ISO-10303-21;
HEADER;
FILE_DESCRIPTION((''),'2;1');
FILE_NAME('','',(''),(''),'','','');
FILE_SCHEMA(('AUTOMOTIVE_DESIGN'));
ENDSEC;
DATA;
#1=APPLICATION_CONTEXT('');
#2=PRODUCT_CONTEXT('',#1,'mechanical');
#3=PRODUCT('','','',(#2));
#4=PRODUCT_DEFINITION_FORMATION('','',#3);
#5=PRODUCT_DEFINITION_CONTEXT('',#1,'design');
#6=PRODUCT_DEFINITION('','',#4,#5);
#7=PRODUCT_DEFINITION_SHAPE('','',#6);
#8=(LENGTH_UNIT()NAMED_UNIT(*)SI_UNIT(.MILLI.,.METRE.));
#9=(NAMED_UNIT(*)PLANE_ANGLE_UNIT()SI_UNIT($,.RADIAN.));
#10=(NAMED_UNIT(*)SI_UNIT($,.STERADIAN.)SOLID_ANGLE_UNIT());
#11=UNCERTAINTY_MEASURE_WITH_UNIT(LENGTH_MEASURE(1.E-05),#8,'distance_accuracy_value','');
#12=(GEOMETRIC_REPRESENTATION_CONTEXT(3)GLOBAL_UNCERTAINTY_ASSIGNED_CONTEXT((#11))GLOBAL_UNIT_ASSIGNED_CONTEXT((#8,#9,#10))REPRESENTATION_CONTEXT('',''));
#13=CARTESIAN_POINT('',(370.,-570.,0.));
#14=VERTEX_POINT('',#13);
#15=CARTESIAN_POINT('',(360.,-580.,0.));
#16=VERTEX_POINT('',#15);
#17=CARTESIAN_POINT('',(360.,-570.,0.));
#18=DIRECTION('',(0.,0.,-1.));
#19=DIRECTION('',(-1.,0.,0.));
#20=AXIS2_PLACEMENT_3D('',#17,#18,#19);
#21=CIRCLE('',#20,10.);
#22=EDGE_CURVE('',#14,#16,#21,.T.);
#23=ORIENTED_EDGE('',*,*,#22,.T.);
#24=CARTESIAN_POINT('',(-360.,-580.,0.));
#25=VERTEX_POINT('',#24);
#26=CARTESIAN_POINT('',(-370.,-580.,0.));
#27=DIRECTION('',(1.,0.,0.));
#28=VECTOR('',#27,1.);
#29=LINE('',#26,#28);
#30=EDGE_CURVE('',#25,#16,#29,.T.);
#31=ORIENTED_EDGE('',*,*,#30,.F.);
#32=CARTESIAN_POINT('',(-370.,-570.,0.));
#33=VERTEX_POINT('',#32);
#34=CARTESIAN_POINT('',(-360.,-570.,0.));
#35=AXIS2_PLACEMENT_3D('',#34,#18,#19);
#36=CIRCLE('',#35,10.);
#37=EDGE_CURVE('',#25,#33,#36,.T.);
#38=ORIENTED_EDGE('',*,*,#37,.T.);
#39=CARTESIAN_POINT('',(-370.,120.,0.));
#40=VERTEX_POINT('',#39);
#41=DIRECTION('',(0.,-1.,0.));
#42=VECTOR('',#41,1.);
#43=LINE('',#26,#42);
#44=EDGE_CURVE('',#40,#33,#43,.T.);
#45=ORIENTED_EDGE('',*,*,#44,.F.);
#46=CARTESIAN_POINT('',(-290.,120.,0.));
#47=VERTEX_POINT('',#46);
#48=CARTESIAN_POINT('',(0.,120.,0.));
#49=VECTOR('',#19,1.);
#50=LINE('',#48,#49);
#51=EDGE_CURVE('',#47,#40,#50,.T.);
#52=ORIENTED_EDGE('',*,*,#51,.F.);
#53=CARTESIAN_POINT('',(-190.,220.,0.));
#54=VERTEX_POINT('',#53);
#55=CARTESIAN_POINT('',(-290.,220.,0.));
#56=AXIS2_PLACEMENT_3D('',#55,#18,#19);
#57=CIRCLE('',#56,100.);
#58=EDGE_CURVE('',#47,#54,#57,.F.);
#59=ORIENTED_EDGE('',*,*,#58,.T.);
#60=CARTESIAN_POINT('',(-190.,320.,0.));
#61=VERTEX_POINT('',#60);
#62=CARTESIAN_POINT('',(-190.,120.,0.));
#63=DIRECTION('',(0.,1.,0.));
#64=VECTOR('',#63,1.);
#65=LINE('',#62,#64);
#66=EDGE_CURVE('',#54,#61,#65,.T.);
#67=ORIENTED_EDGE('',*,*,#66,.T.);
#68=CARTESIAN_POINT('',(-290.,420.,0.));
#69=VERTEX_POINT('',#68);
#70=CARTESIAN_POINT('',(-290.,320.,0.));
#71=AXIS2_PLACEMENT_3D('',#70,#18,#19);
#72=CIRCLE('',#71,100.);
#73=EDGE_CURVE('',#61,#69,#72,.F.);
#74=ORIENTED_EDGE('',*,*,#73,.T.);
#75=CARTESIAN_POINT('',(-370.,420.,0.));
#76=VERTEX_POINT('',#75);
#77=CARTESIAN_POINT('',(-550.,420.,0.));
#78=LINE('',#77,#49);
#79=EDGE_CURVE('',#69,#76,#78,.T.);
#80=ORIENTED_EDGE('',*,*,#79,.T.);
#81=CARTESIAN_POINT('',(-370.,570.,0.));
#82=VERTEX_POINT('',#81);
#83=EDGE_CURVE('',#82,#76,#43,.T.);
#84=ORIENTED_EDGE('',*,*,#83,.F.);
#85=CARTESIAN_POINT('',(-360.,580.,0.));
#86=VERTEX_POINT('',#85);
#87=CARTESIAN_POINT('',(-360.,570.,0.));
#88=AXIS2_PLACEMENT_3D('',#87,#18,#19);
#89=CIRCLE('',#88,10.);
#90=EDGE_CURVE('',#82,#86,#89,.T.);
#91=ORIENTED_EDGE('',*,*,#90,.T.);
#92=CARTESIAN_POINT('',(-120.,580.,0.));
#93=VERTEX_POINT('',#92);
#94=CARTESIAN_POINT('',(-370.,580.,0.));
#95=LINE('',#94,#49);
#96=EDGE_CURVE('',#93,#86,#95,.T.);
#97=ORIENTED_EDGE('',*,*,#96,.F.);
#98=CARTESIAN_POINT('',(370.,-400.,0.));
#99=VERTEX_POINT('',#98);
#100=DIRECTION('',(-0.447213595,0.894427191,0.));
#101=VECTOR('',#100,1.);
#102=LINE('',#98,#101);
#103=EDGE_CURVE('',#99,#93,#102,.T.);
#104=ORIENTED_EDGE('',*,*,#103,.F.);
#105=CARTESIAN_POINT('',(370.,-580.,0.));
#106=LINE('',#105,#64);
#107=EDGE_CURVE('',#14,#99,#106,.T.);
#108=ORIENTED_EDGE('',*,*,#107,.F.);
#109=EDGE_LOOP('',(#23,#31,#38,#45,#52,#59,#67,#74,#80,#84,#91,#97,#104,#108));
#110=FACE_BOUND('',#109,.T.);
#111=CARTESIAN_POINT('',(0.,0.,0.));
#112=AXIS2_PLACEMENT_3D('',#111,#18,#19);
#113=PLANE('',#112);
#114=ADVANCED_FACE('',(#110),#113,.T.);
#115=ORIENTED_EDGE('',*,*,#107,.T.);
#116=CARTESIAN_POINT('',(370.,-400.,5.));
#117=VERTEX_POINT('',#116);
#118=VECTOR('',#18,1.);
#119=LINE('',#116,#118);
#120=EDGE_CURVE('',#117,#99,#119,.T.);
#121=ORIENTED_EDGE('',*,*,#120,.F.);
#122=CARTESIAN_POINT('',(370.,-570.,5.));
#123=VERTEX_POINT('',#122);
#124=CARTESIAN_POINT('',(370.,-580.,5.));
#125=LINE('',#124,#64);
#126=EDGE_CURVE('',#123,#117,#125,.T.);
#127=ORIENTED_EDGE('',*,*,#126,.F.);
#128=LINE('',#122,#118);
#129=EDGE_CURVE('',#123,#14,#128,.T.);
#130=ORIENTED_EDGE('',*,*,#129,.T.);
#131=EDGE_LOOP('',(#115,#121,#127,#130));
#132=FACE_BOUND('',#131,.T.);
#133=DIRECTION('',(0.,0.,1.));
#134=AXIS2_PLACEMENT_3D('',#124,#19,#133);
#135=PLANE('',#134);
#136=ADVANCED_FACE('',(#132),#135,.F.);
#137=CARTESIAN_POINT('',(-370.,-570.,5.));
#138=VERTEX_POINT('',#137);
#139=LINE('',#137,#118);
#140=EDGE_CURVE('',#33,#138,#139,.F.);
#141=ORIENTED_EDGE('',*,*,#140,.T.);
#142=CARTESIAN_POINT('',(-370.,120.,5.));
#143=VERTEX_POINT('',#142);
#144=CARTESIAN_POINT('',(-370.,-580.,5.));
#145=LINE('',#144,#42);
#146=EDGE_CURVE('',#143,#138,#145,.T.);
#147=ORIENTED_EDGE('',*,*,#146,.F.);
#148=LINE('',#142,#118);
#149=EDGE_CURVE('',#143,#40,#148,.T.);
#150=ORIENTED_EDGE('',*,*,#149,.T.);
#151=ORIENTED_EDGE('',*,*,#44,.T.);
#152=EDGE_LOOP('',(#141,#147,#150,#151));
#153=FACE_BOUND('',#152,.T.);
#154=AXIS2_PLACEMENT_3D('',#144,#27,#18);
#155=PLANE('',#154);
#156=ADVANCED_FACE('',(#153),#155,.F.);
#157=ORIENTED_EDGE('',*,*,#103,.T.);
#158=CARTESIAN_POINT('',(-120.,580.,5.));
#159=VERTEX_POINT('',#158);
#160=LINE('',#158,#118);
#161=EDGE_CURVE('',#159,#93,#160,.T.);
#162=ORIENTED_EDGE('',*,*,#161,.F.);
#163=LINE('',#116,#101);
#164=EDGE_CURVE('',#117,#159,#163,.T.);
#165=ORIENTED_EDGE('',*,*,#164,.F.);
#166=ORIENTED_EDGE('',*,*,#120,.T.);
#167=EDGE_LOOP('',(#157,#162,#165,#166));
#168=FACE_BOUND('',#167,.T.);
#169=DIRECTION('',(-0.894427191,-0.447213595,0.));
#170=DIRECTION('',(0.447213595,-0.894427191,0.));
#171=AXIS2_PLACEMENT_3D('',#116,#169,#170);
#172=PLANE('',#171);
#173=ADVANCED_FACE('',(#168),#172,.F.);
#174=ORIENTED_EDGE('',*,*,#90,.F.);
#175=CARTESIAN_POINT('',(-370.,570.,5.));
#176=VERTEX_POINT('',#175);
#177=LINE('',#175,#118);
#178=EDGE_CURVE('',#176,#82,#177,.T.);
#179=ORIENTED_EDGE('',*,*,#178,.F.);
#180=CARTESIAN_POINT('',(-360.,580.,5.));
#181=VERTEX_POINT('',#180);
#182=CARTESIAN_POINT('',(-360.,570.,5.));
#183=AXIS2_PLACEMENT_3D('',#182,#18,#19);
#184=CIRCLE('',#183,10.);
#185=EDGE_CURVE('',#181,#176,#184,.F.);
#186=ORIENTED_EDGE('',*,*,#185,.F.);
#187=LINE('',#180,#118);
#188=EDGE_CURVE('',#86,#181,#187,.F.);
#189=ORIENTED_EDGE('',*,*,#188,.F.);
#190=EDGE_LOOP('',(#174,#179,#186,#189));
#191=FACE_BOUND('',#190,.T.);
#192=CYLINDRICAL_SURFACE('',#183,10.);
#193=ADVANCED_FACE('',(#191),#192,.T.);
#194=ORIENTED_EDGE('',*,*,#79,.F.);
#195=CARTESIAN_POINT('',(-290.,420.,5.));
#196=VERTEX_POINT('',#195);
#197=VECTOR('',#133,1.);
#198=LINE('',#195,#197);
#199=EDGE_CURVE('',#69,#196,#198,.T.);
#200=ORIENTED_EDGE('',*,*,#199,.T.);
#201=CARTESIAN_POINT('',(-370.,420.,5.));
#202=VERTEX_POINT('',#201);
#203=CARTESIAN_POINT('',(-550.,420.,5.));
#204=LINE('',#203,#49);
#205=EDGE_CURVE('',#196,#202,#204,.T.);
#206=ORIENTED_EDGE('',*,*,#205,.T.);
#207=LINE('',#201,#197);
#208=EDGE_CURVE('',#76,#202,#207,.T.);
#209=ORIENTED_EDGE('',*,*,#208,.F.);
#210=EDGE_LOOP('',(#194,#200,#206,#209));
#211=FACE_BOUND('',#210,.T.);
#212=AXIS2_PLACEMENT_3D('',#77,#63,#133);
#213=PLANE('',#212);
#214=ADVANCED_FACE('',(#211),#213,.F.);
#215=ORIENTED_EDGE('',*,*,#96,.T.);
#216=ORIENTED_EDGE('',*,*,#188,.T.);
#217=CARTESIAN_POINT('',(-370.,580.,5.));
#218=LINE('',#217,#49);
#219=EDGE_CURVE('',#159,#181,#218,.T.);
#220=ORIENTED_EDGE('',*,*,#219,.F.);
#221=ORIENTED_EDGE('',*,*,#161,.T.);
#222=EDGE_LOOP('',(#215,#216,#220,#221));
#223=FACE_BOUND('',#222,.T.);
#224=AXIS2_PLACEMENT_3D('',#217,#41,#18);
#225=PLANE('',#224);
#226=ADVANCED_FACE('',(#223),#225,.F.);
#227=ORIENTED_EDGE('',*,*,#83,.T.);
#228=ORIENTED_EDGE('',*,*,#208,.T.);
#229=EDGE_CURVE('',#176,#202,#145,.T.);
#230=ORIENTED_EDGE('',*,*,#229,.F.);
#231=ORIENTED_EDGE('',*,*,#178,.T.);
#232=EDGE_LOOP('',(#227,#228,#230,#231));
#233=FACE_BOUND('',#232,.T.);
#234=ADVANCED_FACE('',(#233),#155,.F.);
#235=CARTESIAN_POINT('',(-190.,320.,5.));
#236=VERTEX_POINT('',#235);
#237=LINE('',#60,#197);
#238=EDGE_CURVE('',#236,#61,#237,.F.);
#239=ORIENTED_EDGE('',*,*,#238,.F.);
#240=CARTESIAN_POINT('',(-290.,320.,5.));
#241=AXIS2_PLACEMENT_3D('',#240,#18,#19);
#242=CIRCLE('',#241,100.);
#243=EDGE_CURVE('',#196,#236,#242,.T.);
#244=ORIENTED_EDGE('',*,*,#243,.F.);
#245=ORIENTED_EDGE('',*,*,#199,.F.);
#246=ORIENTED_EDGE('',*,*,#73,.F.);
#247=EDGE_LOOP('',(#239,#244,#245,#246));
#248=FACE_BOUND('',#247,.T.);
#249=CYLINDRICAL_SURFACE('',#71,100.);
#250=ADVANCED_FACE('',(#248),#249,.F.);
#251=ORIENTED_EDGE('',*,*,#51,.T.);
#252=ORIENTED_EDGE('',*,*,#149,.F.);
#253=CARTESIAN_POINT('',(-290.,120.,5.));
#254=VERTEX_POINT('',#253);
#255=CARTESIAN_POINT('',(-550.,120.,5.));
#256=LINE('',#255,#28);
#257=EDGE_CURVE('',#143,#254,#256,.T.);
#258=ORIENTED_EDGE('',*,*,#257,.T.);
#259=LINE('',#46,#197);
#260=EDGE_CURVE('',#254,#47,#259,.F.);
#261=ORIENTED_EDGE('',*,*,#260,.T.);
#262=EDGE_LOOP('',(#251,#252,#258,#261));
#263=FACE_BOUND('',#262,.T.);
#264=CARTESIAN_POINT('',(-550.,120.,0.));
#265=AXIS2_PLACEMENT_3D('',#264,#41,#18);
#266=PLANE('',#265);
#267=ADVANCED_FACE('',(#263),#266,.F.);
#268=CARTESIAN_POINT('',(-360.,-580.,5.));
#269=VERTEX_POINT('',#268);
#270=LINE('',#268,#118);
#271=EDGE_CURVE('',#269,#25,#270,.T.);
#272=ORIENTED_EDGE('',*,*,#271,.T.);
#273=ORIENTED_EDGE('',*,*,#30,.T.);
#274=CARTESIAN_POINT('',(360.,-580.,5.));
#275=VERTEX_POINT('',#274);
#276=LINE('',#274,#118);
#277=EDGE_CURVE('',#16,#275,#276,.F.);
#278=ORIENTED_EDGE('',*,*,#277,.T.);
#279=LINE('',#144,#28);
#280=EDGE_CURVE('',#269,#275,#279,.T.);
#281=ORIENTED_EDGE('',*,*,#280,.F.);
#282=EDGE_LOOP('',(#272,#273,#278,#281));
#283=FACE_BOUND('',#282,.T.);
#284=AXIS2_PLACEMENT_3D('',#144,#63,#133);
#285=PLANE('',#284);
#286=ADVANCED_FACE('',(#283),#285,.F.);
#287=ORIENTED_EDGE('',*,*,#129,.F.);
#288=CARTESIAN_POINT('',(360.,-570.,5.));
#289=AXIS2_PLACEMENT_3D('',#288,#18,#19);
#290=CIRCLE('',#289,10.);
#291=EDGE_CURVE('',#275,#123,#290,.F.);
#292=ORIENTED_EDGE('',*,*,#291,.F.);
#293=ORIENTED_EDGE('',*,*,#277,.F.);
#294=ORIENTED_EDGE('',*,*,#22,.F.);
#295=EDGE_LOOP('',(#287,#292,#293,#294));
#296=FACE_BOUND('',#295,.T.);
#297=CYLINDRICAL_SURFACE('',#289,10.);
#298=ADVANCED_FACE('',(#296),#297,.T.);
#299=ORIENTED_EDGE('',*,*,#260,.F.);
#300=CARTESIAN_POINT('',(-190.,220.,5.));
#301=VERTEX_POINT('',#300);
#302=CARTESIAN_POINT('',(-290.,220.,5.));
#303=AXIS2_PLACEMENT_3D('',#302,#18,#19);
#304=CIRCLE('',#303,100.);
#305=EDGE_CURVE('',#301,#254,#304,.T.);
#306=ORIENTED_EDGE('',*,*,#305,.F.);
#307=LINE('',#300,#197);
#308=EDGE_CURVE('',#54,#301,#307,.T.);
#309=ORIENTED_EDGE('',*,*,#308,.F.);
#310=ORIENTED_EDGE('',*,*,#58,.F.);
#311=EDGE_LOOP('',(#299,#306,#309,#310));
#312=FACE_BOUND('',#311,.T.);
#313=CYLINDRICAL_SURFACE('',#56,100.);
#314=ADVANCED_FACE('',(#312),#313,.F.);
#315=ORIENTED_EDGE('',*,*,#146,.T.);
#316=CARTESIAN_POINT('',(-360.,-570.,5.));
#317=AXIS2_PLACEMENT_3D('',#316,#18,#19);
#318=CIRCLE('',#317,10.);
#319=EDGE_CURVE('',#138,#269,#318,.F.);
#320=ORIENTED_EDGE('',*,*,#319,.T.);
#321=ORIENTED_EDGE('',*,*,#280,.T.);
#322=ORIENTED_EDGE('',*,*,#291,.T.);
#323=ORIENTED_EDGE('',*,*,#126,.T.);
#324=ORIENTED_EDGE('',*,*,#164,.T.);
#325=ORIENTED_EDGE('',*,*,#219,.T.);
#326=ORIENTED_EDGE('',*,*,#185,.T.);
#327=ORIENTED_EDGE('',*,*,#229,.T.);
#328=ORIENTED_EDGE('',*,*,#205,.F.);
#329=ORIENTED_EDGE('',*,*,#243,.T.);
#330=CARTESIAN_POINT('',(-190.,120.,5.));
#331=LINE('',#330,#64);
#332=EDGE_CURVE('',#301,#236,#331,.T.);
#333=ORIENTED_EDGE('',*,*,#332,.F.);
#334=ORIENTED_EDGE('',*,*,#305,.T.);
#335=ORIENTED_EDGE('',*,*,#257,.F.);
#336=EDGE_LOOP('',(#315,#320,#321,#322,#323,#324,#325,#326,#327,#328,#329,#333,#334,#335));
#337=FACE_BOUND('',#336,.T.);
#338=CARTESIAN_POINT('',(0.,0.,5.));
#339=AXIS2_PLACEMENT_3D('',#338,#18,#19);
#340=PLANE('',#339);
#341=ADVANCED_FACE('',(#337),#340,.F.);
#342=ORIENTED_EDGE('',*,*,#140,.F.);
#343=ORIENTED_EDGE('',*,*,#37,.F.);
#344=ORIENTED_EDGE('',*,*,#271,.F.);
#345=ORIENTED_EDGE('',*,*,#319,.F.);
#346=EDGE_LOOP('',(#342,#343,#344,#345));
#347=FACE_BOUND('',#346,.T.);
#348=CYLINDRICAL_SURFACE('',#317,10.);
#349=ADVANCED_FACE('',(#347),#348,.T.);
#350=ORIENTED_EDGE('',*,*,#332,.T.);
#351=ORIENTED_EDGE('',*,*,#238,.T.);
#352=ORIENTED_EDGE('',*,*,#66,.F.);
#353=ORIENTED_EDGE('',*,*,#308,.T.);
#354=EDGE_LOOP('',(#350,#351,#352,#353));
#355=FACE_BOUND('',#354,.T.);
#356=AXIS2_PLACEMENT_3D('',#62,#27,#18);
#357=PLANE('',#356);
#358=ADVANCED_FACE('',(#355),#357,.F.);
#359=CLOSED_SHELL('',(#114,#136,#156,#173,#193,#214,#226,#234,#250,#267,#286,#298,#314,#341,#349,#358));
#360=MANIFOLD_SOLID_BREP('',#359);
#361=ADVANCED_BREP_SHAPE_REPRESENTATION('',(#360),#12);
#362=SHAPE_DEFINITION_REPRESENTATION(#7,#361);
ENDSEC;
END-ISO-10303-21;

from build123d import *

# Parameters (mm, degrees)
SKETCH1_W           = 740
SKETCH1_H           = 1160
BOSS_EXTRUDE1_DEPTH = 5
FILLET1_R           = 10
CUT_EXTRUDE1_DEPTH  = 688.986191722
SKETCH3_W           = 360
SKETCH3_H           = 300
CUT_EXTRUDE2_DEPTH  = 688.986191722
FILLET2_R           = 100


with BuildPart() as part:
    # Sketch1 → Boss-Extrude1 (new body)
    with BuildSketch(Plane.XY):
        Rectangle(SKETCH1_W, SKETCH1_H)
    extrude(amount=BOSS_EXTRUDE1_DEPTH)

    # Fillet1
    fillet1_edges = [part.edges().sort_by_distance(p)[0] for p in [
        (370, -580, 2.5),
        (-370, -580, 2.5),
        (-370, 580, 2.5),
        (370, 580, 2.5),
    ]]
    fillet(fillet1_edges, radius=FILLET1_R)

    # Sketch2 → Cut-Extrude1 (cut, through all)
    with BuildSketch(Plane(origin=(0, 0, 0), x_dir=(-1, 0, 0), z_dir=(0, 0, -1))):
        Polygon((-370, -400), (120, 580), (-370, 580), align=None)
    extrude(amount=-CUT_EXTRUDE1_DEPTH, mode=Mode.SUBTRACT)

    # Sketch3 → Cut-Extrude2 (cut, through all)
    with BuildSketch(Plane.XY.offset(5)):
        with Locations((-370, 270)):
            Rectangle(SKETCH3_W, SKETCH3_H)
    extrude(amount=-CUT_EXTRUDE2_DEPTH, mode=Mode.SUBTRACT)

    # Fillet2
    fillet2_edges = [part.edges().sort_by_distance(p)[0] for p in [
        (-190, 120, 2.5),
        (-190, 420, 2.5),
    ]]
    fillet(fillet2_edges, radius=FILLET2_R)


solid = part.part
